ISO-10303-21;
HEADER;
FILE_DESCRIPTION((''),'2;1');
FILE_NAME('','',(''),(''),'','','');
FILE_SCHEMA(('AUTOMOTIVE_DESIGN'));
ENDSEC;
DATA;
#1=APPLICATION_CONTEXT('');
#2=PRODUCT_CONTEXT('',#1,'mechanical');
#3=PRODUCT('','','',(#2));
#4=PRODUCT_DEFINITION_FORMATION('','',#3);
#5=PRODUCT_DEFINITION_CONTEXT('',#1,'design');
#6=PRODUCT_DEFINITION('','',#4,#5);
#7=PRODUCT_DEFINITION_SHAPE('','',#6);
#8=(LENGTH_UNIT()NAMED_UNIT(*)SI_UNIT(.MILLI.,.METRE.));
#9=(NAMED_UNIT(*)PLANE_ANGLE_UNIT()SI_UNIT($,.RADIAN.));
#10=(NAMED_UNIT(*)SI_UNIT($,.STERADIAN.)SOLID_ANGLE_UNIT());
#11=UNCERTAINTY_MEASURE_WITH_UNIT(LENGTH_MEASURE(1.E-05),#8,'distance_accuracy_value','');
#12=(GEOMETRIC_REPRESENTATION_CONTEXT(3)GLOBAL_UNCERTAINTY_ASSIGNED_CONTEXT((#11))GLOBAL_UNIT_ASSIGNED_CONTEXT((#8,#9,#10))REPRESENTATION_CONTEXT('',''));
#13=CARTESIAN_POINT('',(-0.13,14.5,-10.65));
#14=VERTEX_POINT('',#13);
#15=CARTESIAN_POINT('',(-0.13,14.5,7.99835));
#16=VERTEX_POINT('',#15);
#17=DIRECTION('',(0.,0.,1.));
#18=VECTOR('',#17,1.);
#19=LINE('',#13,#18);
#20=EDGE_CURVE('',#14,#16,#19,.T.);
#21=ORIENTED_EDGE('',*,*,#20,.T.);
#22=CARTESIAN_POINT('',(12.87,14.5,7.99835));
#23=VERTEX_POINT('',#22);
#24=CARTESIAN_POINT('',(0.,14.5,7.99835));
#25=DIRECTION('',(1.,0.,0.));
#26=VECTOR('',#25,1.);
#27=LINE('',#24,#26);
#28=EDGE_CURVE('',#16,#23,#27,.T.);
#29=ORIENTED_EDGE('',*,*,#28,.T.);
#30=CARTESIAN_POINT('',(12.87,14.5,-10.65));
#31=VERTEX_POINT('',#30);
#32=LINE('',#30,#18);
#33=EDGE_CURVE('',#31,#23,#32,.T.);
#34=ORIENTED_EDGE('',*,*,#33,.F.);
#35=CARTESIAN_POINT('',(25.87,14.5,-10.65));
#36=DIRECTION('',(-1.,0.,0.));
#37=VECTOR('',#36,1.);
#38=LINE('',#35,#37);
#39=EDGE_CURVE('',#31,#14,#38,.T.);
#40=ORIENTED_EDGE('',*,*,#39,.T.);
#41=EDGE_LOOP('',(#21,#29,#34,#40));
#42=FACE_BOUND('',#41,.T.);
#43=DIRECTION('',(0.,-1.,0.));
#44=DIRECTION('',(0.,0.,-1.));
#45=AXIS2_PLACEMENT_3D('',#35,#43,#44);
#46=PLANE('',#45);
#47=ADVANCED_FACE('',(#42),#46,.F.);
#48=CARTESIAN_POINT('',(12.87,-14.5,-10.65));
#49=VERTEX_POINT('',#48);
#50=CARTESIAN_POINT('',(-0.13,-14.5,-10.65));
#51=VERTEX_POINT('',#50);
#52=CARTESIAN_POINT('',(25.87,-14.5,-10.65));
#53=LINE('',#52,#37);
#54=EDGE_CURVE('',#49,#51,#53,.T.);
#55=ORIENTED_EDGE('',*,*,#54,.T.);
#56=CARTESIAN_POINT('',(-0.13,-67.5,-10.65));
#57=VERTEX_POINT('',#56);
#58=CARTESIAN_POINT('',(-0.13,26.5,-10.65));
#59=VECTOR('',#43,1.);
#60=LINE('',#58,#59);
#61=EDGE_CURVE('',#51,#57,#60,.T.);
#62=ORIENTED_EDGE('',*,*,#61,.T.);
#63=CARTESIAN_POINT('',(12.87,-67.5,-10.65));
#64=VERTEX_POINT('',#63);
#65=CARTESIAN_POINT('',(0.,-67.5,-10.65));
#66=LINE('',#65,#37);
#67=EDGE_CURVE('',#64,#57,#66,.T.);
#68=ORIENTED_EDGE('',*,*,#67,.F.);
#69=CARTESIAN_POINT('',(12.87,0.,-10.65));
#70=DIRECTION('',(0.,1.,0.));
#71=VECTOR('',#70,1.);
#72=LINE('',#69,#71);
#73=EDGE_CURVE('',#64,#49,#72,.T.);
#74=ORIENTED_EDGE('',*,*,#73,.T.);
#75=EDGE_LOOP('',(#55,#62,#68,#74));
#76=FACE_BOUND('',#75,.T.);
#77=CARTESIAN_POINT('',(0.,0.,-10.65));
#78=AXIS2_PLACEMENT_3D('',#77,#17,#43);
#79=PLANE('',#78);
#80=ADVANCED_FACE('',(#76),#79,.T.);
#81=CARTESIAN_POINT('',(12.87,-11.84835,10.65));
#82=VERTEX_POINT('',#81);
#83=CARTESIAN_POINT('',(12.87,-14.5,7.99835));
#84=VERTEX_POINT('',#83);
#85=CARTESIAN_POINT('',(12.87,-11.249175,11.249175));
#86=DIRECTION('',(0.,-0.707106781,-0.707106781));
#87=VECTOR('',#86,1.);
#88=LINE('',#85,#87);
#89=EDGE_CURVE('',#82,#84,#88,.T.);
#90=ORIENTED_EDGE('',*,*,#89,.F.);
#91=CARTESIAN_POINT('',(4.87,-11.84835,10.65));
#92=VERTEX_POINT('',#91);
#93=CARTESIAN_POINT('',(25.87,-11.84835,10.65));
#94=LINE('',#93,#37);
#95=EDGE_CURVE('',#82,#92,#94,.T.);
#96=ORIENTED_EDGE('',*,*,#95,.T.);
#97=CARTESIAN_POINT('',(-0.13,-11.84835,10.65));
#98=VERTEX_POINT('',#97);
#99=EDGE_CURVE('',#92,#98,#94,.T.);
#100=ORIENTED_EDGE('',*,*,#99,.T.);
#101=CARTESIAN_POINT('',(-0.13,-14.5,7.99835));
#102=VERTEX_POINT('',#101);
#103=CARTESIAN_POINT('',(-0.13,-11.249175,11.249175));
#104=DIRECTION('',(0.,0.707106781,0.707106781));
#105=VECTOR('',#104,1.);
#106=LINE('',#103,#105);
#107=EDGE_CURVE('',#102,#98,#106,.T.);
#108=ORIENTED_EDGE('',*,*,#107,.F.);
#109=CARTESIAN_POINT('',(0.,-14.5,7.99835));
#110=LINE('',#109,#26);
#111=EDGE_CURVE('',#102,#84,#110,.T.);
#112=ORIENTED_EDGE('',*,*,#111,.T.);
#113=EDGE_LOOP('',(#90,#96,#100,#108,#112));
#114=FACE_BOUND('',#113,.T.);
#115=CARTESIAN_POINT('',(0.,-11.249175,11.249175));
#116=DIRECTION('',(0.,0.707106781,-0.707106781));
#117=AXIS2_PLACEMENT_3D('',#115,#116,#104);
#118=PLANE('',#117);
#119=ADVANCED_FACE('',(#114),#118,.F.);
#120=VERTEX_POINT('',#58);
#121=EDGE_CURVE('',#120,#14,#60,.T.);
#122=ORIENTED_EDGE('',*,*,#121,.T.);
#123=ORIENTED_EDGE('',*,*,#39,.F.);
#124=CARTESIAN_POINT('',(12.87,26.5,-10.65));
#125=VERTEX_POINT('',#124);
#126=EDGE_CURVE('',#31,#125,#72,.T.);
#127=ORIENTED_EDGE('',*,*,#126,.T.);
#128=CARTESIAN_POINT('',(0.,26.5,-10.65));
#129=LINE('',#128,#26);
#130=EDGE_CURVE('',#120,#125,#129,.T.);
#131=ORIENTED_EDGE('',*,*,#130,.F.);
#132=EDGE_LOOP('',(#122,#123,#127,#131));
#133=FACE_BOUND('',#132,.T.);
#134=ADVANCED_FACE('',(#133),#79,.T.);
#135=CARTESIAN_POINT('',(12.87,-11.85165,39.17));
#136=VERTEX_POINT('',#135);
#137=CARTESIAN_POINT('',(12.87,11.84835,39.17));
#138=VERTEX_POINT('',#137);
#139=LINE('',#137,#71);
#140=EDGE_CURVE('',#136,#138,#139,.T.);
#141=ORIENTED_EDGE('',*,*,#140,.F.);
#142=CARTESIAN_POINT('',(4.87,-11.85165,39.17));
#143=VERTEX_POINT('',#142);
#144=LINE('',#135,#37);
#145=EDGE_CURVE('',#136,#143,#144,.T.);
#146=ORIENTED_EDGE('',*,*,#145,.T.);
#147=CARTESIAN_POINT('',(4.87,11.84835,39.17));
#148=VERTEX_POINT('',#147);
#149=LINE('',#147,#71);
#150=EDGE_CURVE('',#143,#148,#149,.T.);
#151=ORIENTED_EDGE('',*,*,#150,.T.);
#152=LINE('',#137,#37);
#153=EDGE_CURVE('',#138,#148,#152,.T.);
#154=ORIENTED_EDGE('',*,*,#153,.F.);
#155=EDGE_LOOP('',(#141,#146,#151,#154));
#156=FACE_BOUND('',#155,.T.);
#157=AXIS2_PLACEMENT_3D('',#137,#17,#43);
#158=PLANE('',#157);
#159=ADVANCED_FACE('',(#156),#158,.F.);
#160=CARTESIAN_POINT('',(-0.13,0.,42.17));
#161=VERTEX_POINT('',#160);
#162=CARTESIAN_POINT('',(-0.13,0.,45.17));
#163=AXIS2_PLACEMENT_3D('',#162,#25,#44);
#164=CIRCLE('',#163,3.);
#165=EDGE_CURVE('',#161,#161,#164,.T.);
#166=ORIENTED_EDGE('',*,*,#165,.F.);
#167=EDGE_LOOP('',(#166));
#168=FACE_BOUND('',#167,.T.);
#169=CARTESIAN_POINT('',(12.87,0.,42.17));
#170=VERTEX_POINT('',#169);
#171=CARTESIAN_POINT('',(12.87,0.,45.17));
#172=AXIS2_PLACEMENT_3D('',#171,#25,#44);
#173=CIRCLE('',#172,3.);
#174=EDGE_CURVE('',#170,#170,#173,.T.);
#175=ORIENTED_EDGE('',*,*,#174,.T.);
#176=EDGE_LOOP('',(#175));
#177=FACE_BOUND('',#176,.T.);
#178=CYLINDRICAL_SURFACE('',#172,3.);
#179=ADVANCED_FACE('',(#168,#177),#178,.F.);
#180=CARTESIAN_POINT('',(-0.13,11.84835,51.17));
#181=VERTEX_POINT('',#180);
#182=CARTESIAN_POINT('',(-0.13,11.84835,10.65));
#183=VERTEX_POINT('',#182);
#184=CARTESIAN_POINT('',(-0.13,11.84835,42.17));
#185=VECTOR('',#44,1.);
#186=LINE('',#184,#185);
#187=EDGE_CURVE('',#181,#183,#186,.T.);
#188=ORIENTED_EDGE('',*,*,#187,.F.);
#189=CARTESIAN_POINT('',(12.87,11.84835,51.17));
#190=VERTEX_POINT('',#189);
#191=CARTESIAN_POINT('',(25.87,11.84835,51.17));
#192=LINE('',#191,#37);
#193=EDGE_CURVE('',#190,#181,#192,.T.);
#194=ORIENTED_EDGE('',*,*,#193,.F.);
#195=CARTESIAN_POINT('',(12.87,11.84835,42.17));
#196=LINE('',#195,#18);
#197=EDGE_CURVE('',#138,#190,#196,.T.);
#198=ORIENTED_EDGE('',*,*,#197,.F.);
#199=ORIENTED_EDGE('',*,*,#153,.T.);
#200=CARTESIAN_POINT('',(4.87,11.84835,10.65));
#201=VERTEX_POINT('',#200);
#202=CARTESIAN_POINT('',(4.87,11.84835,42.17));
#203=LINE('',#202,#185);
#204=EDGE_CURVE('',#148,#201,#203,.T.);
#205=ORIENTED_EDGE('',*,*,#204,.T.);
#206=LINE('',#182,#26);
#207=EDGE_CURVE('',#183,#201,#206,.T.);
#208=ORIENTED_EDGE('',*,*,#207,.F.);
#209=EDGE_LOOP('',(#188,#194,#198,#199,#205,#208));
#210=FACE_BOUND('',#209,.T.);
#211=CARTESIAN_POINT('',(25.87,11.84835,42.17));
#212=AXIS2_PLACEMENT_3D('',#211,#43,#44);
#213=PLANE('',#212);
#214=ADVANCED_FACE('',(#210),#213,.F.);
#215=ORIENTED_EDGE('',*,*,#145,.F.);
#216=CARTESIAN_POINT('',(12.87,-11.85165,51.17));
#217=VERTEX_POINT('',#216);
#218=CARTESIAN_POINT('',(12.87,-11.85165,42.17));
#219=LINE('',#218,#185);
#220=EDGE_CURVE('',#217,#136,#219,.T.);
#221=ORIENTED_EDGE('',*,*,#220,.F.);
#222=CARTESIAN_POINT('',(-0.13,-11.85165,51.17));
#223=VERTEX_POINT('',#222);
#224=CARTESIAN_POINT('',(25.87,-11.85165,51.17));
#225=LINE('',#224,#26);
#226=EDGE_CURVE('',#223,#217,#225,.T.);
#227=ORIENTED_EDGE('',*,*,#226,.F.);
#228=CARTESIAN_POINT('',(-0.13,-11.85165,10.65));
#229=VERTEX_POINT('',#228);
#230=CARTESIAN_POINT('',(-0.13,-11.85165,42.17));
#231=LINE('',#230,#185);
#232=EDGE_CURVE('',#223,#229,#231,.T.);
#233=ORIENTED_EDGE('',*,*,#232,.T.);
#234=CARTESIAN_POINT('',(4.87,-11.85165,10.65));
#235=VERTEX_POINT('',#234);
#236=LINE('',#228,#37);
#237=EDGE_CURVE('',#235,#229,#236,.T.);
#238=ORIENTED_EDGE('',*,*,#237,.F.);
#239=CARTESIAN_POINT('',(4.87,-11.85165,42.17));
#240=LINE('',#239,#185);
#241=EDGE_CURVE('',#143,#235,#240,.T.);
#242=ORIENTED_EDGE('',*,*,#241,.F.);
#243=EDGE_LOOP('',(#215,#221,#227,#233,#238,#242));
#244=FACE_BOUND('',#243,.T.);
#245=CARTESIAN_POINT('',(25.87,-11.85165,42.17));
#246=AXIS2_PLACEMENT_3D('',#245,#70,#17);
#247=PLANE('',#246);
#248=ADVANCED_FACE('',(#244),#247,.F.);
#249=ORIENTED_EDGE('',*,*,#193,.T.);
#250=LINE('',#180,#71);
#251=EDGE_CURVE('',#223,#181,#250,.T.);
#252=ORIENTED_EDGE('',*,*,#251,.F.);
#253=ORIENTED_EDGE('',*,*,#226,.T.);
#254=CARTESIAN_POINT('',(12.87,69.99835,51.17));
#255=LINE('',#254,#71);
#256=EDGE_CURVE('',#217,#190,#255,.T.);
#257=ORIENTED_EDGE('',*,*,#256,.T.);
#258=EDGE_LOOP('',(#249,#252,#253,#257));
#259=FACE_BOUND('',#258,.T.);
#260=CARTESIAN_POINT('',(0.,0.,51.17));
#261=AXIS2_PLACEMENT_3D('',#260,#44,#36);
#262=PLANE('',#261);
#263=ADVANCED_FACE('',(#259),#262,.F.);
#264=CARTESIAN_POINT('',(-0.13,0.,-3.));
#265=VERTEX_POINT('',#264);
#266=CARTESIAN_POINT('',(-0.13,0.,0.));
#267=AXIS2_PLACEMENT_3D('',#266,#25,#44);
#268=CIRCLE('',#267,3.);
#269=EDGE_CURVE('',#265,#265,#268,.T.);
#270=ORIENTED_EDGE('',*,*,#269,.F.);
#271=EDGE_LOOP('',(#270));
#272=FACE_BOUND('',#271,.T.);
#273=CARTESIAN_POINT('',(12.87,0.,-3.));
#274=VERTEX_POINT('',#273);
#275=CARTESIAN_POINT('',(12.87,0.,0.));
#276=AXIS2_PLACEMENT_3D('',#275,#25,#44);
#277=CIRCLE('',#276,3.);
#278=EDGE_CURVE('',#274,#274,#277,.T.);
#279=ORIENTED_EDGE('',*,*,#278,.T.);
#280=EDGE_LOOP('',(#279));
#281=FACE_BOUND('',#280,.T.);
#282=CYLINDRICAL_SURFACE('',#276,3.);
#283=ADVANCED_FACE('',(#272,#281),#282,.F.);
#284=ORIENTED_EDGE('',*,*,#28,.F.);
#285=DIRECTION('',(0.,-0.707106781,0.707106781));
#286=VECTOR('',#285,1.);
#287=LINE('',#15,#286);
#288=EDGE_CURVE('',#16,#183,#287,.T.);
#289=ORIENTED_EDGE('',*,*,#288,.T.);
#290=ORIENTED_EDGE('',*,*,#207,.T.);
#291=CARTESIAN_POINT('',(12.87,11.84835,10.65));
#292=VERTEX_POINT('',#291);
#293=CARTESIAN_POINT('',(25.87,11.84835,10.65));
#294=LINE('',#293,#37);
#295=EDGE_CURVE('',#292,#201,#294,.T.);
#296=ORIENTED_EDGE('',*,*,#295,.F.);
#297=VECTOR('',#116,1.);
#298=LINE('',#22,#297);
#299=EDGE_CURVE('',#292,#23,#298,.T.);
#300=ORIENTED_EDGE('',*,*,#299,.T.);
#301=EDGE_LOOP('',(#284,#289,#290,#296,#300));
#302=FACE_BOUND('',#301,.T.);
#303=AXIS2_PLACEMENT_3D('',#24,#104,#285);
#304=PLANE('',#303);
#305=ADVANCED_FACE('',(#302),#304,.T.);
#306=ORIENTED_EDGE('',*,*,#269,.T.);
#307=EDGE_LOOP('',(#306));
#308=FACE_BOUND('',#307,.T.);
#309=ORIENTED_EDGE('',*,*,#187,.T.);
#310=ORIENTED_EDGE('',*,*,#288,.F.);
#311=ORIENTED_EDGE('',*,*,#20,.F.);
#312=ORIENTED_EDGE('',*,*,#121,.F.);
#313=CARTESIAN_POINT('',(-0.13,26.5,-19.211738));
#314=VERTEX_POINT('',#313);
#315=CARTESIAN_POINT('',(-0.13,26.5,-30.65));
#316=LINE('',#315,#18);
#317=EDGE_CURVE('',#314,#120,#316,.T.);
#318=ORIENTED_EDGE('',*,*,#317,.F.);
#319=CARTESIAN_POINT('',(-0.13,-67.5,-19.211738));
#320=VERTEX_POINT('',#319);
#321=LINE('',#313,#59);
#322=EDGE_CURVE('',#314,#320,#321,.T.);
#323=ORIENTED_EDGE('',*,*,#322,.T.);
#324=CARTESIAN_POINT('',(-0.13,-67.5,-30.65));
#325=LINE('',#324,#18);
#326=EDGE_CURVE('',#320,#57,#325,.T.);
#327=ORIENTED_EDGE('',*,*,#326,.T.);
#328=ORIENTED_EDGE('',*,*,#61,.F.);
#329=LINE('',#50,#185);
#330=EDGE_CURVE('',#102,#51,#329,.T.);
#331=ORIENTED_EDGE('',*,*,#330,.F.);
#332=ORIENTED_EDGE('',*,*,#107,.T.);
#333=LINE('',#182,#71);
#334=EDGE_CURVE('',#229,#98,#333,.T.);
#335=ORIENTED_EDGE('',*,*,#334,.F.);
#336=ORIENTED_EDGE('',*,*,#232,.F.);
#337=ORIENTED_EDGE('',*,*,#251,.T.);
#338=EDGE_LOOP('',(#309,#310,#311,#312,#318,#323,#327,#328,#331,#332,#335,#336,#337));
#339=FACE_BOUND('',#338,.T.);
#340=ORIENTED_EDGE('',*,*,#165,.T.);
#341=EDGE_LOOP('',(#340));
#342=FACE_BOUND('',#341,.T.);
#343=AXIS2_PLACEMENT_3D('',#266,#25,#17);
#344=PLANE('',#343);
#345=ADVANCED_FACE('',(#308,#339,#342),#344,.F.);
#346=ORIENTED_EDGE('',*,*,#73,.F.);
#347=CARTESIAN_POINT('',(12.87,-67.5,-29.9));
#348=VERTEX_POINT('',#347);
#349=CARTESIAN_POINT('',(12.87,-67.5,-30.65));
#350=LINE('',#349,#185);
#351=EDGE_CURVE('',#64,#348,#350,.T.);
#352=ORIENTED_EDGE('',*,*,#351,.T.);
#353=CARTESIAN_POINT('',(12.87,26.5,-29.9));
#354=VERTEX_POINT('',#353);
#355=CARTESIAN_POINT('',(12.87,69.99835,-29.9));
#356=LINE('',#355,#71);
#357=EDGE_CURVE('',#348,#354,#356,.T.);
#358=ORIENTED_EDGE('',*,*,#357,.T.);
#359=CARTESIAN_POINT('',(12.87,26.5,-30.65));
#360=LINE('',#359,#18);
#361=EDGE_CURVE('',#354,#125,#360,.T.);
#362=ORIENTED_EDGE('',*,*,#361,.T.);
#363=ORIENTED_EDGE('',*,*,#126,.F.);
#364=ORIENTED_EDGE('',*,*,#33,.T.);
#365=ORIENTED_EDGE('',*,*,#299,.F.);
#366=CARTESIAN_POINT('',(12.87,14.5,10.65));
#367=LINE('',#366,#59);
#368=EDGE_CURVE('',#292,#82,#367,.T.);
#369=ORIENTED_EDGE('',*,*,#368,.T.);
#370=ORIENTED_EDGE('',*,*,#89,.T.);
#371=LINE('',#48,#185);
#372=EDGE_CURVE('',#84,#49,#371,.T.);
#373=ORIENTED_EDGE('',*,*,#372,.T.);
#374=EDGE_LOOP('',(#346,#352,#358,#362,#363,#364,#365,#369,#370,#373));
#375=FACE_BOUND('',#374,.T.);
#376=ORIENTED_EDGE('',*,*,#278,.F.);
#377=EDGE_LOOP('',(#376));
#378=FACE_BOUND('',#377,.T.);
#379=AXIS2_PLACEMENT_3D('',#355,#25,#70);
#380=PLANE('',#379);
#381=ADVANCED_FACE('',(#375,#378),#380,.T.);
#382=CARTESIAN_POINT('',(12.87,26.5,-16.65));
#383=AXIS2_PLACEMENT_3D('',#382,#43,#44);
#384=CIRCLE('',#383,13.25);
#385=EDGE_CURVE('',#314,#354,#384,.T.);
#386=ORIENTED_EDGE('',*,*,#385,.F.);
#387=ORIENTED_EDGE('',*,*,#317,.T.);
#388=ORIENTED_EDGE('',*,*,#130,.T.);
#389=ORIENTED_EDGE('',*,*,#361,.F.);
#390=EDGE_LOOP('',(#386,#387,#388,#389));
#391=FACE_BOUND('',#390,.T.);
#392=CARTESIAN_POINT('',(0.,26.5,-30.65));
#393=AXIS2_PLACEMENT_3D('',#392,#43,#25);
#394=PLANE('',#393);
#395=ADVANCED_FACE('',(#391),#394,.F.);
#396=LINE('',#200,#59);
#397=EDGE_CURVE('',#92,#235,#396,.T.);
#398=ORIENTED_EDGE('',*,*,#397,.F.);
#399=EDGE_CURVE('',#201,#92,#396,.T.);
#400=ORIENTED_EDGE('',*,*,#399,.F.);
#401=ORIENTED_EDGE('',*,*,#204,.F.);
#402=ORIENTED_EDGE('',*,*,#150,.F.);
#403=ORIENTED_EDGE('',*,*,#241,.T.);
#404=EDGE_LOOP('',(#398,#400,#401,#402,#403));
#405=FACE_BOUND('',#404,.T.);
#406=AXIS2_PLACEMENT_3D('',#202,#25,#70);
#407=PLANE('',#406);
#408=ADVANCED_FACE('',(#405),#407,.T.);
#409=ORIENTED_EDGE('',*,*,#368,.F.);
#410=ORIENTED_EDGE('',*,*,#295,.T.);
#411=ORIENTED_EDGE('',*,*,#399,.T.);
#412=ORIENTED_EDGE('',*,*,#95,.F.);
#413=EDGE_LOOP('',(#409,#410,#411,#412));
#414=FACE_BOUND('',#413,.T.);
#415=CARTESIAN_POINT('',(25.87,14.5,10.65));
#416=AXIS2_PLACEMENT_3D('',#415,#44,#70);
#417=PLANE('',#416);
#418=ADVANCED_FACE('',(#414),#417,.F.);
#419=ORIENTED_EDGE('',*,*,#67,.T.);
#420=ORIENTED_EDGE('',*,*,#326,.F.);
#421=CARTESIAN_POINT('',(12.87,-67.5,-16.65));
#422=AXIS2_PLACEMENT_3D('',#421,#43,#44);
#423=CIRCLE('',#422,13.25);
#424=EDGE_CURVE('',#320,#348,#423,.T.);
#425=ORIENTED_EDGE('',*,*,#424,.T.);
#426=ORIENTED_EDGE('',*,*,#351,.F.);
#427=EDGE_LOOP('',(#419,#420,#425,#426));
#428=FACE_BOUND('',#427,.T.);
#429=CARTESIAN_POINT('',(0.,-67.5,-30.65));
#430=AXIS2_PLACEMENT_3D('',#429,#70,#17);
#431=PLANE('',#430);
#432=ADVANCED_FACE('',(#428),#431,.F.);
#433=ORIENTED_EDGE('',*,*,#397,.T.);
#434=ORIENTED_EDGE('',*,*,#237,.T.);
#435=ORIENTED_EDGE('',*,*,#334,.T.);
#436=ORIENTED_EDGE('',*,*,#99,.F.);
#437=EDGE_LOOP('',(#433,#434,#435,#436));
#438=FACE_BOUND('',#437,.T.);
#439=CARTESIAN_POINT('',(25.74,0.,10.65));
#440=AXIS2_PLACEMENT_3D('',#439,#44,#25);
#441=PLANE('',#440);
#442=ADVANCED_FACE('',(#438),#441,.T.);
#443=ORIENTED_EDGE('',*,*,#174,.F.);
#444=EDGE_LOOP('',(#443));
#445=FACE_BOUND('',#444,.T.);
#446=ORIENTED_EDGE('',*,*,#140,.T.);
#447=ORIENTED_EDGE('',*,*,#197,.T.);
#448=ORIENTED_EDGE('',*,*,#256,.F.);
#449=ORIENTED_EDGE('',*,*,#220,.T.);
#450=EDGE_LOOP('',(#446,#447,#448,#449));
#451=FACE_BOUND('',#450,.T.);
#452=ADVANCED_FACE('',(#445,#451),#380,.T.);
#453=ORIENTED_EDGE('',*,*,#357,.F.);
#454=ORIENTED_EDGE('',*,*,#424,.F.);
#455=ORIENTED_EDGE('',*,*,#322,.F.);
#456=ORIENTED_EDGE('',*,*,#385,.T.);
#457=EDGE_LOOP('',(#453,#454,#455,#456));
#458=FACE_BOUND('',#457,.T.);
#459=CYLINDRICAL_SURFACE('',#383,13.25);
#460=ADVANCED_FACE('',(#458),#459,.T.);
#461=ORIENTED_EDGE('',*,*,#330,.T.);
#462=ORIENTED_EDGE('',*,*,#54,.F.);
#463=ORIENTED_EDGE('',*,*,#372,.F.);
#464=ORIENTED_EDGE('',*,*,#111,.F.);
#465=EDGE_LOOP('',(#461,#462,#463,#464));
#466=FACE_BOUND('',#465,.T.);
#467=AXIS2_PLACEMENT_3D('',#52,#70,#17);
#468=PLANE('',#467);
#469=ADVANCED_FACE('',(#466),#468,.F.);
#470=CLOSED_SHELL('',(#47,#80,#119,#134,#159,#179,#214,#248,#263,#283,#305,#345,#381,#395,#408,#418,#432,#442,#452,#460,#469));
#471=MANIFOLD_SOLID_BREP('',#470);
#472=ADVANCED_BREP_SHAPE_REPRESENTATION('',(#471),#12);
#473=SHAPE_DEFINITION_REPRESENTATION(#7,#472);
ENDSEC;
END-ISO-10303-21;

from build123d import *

# Parameters (mm, degrees)
SKETCH1_W                       = 21.3
SKETCH1_H                       = 29
BOSS_EXTRUDE1_DEPTH             = 25.87
CUT_EXTRUDE1_DEPTH              = 32.510782282
SKETCH5_W                       = 5
SKETCH5_H                       = 23.7
BOSS_EXTRUDE2_DEPTH             = 31.52
SKETCH6_W                       = 5
SKETCH6_H                       = 23.7
BOSS_EXTRUDE3_DEPTH             = 15.9
SKETCH7_W                       = 25.87
SKETCH7_H                       = 94
BOSS_EXTRUDE4_DEPTH             = 20
CUT_EXTRUDE2_DEPTH              = 107.224130027
SKETCH10_W                      = 25.87
SKETCH10_H                      = 23.7
BOSS_EXTRUDE5_DEPTH             = 9
SKETCH13_W                      = 25.74
SKETCH13_H                      = 140
CUT_EXTRUDE3_DEPTH              = 109.61791657
SKETCH14_W                      = 7
SKETCH14_H                      = 23.7
BOSS_EXTRUDE6_DEPTH             = 8
F_6_0MM_CLEARANCE_DOWEL_HOLE1_D = 6


with BuildPart() as part:
    # Sketch1 → Boss-Extrude1 (new body)
    with BuildSketch(Plane(origin=(0, 0, 0), x_dir=(0, 0, -1), z_dir=(1, 0, 0))):
        Rectangle(SKETCH1_W, SKETCH1_H)
    boss_extrude1 = extrude(amount=BOSS_EXTRUDE1_DEPTH)

    # Sketch3 → Cut-Extrude1 (cut, through all)
    with BuildSketch(Plane(origin=(25.87, 0, 0), x_dir=(0, 0, -1), z_dir=(1, 0, 0))):
        Polygon((-7.998349571, -14.5), (-10.65, -11.848349571), (-10.65, -14.5), align=None)
        Polygon((-10.65, 11.848349571), (-10.65, 14.5), (-7.998349571, 14.5), align=None)
    cut_extrude1 = extrude(amount=-CUT_EXTRUDE1_DEPTH, mode=Mode.SUBTRACT)

    # Sketch5 → Boss-Extrude2 (add)
    with BuildSketch(Plane.XY.offset(10.65)):
        with Locations((23.37, -0.001650429)):
            Rectangle(SKETCH5_W, SKETCH5_H)
        with Locations((2.5, -0.001650429)):
            Rectangle(SKETCH5_W, SKETCH5_H)
    boss_extrude2 = extrude(amount=BOSS_EXTRUDE2_DEPTH)

    # Sketch6 → Boss-Extrude3 (add)
    with BuildSketch(Plane.ZY.offset(-20.87)):
        with Locations((39.67, -0.001650429)):
            Rectangle(SKETCH6_W, SKETCH6_H)
    extrude(amount=BOSS_EXTRUDE3_DEPTH)

    # Sketch7 → Boss-Extrude4 (add)
    with BuildSketch(Plane(origin=(0, 0, -10.65), x_dir=(-1, 0, 0), z_dir=(0, 0, -1))):
        with Locations((-12.935, -20.5)):
            Rectangle(SKETCH7_W, SKETCH7_H)
    boss_extrude4 = extrude(amount=BOSS_EXTRUDE4_DEPTH)

    # Sketch9 → Cut-Extrude2 (cut, through all)
    with BuildSketch(Plane(origin=(0, -67.5, 0), x_dir=(-1, 0, 0), z_dir=(0, -1, 0))):
        with BuildLine():
            ThreePointArc((-26.12, 16.65), (-12.87, 29.9), (0.38, 16.65))
            Line((0.38, 16.65), (0.38, 30.65))
            Line((0.38, 30.65), (-26.12, 30.65))
            Line((-26.12, 30.65), (-26.12, 16.65))
        make_face()
    cut_extrude2 = extrude(amount=-CUT_EXTRUDE2_DEPTH, mode=Mode.SUBTRACT)

    # Sketch10 → Boss-Extrude5 (add)
    with BuildSketch(Plane.XY.offset(42.17)):
        with Locations((12.935, -0.001650429)):
            Rectangle(SKETCH10_W, SKETCH10_H)
    boss_extrude5 = extrude(amount=BOSS_EXTRUDE5_DEPTH)

    # Sketch13 → Cut-Extrude3 (cut, through all)
    with BuildSketch(Plane.XY.offset(51.17)):
        with Locations((0, -0.001650429)):
            Rectangle(SKETCH13_W, SKETCH13_H)
    cut_extrude3 = extrude(amount=-CUT_EXTRUDE3_DEPTH, mode=Mode.SUBTRACT)

    # Mirror2: Boss-Extrude1, Cut-Extrude1, Boss-Extrude2, Boss-Extrude4, Cut-Extrude2, Boss-Extrude5, Cut-Extrude3 across plane
    add(boss_extrude1.mirror(Plane(origin=(12.87, 69.998349571, -29.9), x_dir=(0, 0, 1), z_dir=(1, 0, 0))))
    add(cut_extrude1.mirror(Plane(origin=(12.87, 69.998349571, -29.9), x_dir=(0, 0, 1), z_dir=(1, 0, 0))), mode=Mode.SUBTRACT)
    add(boss_extrude2.mirror(Plane(origin=(12.87, 69.998349571, -29.9), x_dir=(0, 0, 1), z_dir=(1, 0, 0))))
    add(boss_extrude4.mirror(Plane(origin=(12.87, 69.998349571, -29.9), x_dir=(0, 0, 1), z_dir=(1, 0, 0))))
    add(cut_extrude2.mirror(Plane(origin=(12.87, 69.998349571, -29.9), x_dir=(0, 0, 1), z_dir=(1, 0, 0))), mode=Mode.SUBTRACT)
    add(boss_extrude5.mirror(Plane(origin=(12.87, 69.998349571, -29.9), x_dir=(0, 0, 1), z_dir=(1, 0, 0))))
    add(cut_extrude3.mirror(Plane(origin=(12.87, 69.998349571, -29.9), x_dir=(0, 0, 1), z_dir=(1, 0, 0))), mode=Mode.SUBTRACT)

    # Sketch14 → Boss-Extrude6 (add)
    with BuildSketch(Plane(origin=(4.87, 0, 0), x_dir=(0, 0, -1), z_dir=(1, 0, 0))):
        with Locations((-42.67, -0.001650429)):
            Rectangle(SKETCH14_W, SKETCH14_H)
    extrude(amount=BOSS_EXTRUDE6_DEPTH)

    # Ø6.0mm Clearance Dowel Hole1 (through all)
    with Locations(Plane(origin=(12.87, 0, 0), x_dir=(0, 0, -1), z_dir=(1, 0, 0))):
        with Locations((-45.17, 0), (0, 0)):
            Hole(F_6_0MM_CLEARANCE_DOWEL_HOLE1_D / 2)


solid = part.part
